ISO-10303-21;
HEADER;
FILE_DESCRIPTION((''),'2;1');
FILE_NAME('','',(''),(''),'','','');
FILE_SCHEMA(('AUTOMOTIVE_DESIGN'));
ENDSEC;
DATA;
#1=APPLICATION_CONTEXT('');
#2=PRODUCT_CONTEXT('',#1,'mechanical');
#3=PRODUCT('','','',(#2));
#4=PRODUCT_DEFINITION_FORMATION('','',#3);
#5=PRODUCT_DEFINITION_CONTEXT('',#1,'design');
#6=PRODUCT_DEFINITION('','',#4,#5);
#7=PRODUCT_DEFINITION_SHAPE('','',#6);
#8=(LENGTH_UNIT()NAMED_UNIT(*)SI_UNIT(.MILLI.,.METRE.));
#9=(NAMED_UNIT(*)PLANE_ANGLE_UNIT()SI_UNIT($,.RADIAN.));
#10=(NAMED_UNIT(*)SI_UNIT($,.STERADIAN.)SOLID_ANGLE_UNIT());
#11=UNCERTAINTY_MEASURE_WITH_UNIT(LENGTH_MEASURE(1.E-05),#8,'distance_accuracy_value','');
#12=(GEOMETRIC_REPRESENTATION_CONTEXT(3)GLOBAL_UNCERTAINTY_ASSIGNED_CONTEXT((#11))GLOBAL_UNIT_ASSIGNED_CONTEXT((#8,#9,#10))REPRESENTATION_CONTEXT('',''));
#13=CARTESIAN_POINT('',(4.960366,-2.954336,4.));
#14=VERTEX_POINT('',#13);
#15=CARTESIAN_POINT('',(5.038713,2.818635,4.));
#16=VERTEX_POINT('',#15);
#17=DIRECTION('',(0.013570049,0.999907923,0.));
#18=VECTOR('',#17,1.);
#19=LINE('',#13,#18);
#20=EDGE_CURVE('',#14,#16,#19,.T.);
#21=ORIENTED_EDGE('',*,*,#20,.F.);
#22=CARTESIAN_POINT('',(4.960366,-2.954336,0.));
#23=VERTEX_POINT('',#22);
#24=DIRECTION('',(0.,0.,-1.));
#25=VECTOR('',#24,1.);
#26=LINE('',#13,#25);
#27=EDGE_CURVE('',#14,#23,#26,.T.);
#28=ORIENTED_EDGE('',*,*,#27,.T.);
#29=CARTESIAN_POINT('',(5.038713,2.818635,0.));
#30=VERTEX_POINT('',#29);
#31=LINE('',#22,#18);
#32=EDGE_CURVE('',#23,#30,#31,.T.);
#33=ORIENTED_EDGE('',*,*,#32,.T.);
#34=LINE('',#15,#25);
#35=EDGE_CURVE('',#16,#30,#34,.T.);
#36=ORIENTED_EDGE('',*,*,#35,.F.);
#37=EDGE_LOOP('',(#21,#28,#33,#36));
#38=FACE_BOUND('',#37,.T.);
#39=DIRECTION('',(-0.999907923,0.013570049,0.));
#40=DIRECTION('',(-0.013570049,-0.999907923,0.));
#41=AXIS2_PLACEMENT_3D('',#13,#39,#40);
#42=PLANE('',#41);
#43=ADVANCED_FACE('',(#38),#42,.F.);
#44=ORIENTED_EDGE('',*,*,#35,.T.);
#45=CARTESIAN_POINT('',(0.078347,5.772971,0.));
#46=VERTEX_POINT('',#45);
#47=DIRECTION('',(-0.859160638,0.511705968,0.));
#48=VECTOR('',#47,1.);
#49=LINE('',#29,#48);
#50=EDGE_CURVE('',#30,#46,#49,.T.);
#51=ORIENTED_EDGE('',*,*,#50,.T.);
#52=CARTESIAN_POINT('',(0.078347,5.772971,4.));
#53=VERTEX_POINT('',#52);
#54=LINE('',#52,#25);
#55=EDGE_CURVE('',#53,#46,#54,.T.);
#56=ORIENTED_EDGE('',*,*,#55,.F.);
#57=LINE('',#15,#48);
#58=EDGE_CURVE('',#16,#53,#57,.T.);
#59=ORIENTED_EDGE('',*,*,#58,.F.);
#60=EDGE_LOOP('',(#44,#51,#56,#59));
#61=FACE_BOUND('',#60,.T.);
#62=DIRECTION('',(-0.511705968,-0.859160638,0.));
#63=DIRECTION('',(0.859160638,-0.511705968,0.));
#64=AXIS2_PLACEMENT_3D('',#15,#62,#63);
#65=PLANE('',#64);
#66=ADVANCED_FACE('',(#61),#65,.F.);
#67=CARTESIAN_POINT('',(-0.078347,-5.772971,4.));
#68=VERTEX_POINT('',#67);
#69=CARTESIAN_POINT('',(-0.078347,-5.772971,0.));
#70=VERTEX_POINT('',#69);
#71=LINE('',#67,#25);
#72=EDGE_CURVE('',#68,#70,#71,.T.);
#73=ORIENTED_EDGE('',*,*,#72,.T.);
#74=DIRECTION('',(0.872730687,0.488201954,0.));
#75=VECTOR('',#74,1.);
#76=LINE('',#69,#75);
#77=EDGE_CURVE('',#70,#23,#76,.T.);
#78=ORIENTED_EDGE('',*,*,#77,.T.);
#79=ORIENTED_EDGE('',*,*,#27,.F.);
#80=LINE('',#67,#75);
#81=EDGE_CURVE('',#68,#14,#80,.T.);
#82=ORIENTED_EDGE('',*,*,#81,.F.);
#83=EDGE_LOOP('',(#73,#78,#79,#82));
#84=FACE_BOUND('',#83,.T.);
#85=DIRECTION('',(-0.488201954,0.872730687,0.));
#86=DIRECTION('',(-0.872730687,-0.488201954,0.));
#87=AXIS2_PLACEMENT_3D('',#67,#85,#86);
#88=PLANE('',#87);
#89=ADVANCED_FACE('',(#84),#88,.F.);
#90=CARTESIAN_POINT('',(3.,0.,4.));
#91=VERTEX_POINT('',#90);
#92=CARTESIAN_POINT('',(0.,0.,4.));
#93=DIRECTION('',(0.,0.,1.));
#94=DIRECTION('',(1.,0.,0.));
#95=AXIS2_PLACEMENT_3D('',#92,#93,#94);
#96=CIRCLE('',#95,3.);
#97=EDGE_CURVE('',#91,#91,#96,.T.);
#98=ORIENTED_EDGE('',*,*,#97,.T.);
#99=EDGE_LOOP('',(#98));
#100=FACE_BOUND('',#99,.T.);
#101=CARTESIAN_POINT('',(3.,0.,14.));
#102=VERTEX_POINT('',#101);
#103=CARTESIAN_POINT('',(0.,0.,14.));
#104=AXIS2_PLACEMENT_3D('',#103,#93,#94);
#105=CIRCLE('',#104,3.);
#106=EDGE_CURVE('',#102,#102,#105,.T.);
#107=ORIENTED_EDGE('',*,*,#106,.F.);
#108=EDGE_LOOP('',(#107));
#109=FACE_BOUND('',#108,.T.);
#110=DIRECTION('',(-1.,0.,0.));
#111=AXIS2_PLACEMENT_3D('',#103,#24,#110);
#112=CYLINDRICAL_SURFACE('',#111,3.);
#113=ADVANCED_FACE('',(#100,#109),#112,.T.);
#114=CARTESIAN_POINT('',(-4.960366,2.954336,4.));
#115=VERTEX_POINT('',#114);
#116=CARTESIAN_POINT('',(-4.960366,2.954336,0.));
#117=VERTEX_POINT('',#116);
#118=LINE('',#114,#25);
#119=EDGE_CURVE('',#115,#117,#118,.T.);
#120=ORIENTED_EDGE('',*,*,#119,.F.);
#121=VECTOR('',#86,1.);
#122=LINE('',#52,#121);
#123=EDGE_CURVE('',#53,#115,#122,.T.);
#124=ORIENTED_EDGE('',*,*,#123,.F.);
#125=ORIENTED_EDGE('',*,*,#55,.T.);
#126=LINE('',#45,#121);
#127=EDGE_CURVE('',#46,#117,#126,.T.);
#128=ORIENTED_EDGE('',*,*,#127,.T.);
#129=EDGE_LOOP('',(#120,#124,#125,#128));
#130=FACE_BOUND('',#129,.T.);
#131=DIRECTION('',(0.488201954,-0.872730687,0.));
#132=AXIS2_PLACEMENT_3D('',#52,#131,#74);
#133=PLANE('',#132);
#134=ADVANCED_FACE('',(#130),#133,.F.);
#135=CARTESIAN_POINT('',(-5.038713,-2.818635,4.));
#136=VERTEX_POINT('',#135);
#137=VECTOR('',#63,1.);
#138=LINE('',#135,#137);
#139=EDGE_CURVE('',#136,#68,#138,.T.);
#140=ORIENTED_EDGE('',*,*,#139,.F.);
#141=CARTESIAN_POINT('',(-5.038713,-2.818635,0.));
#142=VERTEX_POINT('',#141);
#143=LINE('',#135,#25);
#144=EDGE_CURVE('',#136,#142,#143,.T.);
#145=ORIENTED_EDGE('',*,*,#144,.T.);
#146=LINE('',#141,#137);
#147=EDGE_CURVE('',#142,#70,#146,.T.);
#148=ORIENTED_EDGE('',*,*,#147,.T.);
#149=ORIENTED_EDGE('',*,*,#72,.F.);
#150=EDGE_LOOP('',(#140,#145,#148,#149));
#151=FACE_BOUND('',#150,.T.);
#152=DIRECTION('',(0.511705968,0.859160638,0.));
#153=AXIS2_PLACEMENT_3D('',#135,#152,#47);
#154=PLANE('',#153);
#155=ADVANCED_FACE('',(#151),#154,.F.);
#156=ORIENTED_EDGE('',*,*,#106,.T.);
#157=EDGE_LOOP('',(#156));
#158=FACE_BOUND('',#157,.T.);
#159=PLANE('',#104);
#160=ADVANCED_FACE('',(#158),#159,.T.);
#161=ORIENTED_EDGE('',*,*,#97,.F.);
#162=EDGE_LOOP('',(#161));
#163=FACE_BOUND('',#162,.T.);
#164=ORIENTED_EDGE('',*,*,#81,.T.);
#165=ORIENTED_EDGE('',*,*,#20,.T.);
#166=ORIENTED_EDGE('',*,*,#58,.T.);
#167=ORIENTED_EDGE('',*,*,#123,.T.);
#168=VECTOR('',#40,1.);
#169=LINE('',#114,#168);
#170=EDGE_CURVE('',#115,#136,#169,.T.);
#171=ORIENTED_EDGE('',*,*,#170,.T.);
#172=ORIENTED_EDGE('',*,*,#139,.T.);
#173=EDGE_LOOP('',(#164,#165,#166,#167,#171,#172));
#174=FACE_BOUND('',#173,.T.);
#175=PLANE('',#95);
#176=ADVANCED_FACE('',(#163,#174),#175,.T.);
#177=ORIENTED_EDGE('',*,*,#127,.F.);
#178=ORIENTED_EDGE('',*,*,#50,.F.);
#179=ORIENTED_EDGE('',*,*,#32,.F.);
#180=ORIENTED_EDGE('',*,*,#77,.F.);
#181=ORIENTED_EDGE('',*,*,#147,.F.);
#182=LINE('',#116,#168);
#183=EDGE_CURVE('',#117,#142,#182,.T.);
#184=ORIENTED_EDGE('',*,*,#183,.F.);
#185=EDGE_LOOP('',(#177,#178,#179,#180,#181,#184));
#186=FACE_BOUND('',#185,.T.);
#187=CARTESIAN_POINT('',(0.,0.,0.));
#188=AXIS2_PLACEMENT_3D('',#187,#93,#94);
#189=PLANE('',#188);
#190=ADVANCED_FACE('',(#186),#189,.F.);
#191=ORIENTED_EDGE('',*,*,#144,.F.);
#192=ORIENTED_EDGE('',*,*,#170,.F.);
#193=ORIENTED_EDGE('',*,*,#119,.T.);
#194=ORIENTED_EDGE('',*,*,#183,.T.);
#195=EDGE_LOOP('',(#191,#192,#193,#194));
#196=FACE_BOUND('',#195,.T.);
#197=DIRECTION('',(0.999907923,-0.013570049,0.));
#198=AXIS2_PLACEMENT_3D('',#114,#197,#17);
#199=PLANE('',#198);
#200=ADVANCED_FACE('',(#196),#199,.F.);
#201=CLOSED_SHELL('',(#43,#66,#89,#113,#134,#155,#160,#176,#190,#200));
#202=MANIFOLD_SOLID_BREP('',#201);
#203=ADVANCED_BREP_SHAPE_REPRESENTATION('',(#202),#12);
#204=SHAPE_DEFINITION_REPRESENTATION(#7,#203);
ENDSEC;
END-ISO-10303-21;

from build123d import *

# Parameters (mm, degrees)
EXTRUDE_1_DEPTH = 4
SKETCH_2_R      = 3
EXTRUDE_2_DEPTH = 10


with BuildPart() as part:
    # Эскиз1 → Бобышка-Вытянуть1 (new body)
    with BuildSketch(Plane.XY):
        Polygon((4.960366257, -2.954335785), (5.03871297, 2.818635298), (0.078346713, 5.772971083), (-4.960366257, 2.954335785), (-5.03871297, -2.818635298), (-0.078346713, -5.772971083), align=None)
    extrude(amount=EXTRUDE_1_DEPTH)

    # Эскиз2 → Бобышка-Вытянуть2 (add)
    with BuildSketch(Plane.XY.offset(4)):
        Circle(SKETCH_2_R)
    extrude(amount=EXTRUDE_2_DEPTH)


solid = part.part
